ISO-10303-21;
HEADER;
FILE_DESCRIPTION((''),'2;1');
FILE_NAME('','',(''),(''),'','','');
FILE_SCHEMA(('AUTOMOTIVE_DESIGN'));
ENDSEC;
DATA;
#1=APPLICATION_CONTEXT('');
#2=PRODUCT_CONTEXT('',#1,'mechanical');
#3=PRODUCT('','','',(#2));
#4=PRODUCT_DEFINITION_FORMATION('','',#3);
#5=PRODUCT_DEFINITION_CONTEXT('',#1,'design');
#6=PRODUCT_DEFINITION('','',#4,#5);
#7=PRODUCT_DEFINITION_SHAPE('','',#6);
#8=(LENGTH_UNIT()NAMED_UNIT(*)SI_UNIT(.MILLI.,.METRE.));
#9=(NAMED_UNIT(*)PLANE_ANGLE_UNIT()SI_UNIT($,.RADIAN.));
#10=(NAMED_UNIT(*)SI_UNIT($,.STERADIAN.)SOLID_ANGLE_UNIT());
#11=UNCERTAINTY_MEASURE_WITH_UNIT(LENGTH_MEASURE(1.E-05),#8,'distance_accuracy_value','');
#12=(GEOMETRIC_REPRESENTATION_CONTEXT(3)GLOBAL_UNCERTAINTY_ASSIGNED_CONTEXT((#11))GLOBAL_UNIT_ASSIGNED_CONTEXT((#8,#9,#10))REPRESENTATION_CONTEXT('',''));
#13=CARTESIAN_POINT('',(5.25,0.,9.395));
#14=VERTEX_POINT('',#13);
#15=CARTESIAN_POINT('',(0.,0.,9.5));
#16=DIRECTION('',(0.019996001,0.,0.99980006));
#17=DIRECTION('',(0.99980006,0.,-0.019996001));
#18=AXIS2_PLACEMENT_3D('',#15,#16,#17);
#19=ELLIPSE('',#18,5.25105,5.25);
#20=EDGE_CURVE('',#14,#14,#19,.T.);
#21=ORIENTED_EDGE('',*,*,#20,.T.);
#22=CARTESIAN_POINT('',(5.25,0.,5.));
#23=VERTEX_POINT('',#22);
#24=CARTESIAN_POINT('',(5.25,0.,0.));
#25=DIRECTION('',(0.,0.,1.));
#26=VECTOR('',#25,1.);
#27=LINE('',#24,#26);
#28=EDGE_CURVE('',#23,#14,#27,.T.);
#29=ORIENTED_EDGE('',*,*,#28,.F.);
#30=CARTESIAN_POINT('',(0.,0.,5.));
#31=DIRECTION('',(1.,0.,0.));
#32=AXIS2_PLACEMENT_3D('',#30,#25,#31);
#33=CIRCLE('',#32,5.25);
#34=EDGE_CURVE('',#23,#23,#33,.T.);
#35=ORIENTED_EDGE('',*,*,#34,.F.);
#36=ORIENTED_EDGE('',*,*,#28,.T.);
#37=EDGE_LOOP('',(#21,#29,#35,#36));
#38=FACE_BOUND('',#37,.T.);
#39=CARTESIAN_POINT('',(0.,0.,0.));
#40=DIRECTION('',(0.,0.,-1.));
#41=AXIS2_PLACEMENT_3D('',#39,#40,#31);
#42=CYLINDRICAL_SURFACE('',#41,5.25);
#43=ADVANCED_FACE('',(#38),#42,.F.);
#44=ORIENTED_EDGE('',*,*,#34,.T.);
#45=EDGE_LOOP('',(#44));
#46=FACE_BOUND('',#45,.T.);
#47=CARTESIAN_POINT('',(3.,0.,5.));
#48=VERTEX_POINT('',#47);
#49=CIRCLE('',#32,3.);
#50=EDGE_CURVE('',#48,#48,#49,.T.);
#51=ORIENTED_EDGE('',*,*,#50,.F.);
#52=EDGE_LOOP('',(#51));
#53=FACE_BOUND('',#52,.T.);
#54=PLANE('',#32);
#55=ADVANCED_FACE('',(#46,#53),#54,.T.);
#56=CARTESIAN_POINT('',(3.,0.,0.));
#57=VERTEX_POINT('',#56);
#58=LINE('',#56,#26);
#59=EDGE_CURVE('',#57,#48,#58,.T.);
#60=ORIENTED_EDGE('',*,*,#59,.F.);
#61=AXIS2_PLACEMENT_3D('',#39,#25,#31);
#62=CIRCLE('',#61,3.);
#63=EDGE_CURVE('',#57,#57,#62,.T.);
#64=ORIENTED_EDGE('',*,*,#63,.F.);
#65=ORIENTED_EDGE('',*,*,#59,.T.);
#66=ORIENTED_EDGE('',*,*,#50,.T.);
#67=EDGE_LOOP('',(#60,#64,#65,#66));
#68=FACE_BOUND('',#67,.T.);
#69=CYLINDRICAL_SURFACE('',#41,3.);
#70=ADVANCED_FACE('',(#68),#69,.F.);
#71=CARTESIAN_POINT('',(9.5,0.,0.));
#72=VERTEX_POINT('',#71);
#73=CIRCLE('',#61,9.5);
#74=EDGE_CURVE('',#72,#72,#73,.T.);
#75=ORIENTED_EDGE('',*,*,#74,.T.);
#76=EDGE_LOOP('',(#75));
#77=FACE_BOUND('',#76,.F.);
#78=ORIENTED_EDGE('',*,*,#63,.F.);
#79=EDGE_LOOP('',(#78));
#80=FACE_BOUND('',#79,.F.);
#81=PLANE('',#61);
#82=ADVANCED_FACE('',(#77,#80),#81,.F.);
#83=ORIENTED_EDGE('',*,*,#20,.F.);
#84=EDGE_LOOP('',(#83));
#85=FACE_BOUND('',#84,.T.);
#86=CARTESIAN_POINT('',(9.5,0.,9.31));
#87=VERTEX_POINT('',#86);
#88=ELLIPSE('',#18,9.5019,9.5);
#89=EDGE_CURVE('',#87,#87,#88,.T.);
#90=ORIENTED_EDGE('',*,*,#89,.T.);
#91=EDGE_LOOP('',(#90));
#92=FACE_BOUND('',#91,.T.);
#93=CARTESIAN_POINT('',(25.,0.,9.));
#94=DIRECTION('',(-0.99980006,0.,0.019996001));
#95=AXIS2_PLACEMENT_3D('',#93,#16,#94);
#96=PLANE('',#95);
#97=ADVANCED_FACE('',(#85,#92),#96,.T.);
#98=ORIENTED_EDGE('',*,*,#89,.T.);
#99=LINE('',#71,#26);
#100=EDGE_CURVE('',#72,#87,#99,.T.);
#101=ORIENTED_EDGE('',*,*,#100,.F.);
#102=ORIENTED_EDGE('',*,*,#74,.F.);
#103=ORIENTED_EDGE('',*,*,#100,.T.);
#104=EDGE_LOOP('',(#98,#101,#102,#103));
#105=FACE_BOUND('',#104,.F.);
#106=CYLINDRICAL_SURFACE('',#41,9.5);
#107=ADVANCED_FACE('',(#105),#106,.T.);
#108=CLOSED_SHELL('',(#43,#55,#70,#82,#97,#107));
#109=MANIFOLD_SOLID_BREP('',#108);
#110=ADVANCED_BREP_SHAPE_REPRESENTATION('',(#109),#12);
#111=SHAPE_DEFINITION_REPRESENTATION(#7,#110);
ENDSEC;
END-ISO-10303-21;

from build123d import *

# Parameters (mm, degrees)
F0_R     = 9.5
F0_R_2   = 5.25
F1_DEPTH = 10
F2_R     = 5.25
F2_R_2   = 3
F3_DEPTH = 5
F5_DEPTH = 12.5


with BuildPart() as f1:
    # F0 (on Top) → F1 (new body)
    with BuildSketch(Plane.XY):
        Circle(F0_R)
        Circle(F0_R_2, mode=Mode.SUBTRACT)
    extrude(amount=F1_DEPTH)

    # F2 (on Top) → F3 (join)
    with BuildSketch(Plane.XY):
        Circle(F2_R)
        Circle(F2_R_2, mode=Mode.SUBTRACT)
    extrude(amount=F3_DEPTH)

    # F4 (on Front) → F5 (intersect, symmetric)
    with BuildSketch(Plane.XZ):
        Polygon((25, 9), (-25, 10), (-25, 0), (25, 0), align=None)
    extrude(amount=F5_DEPTH, both=True, mode=Mode.INTERSECT)


solid = f1.part
